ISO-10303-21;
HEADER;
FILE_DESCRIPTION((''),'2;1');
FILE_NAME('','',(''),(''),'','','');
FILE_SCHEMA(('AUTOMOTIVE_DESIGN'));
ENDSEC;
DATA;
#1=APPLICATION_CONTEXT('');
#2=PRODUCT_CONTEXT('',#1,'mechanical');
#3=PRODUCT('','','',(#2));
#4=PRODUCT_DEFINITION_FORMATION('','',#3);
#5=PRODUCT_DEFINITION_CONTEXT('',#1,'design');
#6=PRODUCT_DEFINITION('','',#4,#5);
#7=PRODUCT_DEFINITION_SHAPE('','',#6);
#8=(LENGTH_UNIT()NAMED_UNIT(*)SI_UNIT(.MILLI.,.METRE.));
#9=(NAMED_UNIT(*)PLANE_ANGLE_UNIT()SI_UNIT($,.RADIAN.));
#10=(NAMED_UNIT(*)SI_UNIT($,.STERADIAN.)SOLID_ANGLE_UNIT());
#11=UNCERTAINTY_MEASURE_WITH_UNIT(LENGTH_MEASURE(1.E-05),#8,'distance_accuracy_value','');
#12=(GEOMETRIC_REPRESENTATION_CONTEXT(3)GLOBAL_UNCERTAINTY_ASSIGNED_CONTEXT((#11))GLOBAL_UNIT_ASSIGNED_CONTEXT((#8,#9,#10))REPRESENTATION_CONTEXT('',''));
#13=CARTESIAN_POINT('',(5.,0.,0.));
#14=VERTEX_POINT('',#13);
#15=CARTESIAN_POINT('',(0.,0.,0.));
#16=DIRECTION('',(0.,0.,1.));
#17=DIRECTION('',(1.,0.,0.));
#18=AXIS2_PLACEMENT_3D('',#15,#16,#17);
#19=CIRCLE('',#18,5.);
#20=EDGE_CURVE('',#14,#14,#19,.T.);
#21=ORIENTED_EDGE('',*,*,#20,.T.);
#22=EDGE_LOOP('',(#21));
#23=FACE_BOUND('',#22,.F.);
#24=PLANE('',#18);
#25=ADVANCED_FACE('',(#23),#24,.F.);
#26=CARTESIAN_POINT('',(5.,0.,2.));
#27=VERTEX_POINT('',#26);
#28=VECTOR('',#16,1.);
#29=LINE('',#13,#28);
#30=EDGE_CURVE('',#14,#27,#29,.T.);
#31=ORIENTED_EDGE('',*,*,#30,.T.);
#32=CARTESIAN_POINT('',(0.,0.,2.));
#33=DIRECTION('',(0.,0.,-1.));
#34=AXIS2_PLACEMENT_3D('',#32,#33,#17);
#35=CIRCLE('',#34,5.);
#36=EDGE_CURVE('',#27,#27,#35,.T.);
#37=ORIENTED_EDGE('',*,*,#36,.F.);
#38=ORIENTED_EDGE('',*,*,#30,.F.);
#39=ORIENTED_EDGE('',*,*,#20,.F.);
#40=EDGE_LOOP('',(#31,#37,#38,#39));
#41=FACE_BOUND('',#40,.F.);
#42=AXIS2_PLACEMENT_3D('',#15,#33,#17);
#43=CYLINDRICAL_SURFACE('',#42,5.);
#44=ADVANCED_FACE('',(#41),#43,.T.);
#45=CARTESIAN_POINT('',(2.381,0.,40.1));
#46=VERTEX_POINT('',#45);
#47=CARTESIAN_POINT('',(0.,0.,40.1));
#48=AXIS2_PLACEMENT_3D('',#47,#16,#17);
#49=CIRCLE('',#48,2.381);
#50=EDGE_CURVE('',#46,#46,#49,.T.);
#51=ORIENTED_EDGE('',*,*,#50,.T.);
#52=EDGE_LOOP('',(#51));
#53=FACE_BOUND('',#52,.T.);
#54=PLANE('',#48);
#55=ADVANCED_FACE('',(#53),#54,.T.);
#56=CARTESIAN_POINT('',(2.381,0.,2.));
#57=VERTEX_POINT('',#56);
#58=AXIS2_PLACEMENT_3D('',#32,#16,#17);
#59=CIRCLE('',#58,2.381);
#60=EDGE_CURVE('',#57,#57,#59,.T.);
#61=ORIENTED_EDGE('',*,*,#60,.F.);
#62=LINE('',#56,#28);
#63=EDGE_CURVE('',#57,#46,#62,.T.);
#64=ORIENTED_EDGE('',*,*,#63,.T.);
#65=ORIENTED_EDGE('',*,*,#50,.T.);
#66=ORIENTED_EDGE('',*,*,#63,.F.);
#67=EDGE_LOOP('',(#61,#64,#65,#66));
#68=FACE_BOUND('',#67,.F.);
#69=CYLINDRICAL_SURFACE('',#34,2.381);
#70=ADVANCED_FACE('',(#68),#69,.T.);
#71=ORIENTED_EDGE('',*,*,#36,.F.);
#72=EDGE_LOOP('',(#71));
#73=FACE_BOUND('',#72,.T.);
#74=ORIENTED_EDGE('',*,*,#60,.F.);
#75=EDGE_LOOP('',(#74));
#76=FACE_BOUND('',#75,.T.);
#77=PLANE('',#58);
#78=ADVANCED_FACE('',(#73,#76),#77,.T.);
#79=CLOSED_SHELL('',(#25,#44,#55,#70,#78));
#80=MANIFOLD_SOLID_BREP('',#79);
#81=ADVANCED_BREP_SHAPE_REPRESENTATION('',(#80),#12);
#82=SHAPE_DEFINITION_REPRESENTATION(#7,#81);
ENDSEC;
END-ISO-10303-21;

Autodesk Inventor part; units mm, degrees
ref_plane "YZ Plane" through (0, 0, 0) normal (1, 0, 0) x (0, 1, 0)
ref_plane "XZ Plane" through (0, 0, 0) normal (0, 1, 0) x (-1, 0, 0)
ref_plane "XY Plane" through (0, 0, 0) normal (0, 0, 1) x (1, 0, 0)
sketch "Sketch1" plane through (0, 0, 0) normal (0, 0, 1) x (1, 0, 0)
  circle A0 centre (0, 0) radius 5
  line L0 (0, 0) -> (-12.5252, 0)
  line L1 (0, 0) -> (11.547, 0)
  dimension "d0" = 10
extrude "Extrusion1" add sketch "Sketch1" along normal blind 2
sketch "Sketch2" plane through (0, 0, 2) normal (0, 0, 1) x (1, 0, 0)
  circle A0 centre (0, 0) radius 2.381
  dimension "d5" = 4.762
extrude "Extrusion2" add sketch "Sketch2" along normal blind 38.1
properties part number "3-16in_1 1-4in_Bolt"
